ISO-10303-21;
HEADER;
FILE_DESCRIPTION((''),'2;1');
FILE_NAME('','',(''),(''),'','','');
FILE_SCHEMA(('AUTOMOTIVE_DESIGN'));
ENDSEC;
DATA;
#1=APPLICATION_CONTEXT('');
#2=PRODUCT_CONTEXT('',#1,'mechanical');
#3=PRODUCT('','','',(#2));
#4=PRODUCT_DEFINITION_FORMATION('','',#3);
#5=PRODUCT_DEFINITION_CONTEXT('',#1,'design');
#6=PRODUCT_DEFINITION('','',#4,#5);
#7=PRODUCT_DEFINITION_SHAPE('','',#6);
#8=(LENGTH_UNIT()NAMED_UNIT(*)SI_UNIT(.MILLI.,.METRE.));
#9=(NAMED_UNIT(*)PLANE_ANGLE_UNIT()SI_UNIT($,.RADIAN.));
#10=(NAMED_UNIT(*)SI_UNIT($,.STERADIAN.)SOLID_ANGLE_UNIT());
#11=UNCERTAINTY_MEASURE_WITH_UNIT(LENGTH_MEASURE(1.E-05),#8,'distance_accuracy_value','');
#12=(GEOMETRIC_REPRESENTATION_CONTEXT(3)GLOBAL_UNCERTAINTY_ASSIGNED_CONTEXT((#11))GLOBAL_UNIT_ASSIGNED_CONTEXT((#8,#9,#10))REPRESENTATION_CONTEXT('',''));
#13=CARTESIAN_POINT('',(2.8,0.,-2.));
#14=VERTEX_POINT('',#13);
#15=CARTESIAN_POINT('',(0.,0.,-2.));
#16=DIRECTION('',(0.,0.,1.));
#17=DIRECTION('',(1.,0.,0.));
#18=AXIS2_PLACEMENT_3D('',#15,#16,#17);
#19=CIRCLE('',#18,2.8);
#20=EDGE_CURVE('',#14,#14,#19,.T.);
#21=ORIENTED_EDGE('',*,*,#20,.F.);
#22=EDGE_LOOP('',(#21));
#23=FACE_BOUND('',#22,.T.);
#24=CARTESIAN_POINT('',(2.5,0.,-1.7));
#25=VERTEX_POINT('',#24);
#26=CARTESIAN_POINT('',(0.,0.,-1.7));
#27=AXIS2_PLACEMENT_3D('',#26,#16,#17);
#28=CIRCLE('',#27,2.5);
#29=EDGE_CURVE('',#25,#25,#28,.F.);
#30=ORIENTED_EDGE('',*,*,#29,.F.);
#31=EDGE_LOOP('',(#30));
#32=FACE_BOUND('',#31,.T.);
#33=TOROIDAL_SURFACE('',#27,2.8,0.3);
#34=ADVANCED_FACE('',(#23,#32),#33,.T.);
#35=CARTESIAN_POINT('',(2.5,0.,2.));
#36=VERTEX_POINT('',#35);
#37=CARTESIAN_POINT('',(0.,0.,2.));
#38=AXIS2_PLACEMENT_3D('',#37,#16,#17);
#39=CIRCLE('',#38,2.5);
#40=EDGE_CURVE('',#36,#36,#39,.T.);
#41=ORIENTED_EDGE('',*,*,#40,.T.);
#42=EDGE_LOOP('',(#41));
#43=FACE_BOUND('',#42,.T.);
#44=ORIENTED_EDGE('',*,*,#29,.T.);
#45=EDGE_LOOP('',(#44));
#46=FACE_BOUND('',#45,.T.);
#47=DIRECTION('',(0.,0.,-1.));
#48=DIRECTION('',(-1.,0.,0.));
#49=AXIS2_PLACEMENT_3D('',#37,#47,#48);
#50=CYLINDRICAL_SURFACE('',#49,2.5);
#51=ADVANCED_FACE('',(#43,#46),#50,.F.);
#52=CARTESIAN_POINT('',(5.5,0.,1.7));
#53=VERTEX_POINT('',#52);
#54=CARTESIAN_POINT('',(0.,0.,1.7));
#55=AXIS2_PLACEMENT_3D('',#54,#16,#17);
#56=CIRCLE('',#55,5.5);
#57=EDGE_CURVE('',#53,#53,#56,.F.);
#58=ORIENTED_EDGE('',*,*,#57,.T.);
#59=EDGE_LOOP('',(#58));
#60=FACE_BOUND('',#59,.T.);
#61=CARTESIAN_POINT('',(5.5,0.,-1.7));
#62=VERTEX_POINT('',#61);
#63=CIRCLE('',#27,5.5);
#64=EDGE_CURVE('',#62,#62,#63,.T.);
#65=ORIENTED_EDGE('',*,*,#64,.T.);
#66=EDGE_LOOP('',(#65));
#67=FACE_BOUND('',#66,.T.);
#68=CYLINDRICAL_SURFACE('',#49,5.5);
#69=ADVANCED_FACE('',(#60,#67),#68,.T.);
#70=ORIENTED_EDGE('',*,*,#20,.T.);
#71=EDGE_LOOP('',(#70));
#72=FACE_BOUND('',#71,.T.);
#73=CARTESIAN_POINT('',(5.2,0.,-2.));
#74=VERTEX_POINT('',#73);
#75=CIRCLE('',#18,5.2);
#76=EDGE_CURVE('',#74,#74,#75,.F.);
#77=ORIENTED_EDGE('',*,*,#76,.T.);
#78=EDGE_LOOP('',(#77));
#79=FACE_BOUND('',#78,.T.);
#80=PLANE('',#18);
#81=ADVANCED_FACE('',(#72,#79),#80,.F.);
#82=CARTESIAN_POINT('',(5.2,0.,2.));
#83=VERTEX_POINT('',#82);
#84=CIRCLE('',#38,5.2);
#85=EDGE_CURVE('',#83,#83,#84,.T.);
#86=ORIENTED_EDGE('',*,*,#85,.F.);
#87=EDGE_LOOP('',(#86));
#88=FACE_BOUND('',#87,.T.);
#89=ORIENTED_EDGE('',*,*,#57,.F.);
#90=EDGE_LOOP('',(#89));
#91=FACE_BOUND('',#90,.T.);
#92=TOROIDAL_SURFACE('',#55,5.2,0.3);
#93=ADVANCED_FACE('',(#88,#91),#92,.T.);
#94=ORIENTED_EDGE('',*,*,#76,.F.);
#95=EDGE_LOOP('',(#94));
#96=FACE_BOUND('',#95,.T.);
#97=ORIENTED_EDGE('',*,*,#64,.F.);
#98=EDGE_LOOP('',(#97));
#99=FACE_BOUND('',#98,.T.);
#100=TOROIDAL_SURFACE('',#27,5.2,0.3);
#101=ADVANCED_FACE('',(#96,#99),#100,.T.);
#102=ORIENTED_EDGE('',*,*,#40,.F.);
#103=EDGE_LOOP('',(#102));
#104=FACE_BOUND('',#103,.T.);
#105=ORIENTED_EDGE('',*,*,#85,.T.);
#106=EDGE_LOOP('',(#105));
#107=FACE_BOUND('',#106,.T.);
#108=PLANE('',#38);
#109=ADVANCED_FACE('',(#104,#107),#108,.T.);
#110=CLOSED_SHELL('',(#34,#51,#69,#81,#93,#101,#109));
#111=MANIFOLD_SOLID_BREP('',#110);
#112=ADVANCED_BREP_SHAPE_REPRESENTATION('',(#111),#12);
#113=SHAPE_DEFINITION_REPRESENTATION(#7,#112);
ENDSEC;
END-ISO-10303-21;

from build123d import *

# Parameters (mm, degrees)
SKETCH1_R           = 5.5
SKETCH1_R_2         = 2.5
BOSS_EXTRUDE1_DEPTH = 2
FILLET2_R           = 0.3


with BuildPart() as part:
    # Sketch1 → Boss-Extrude1 (new, symmetric)
    with BuildSketch(Plane.XY):
        Circle(SKETCH1_R)
        Circle(SKETCH1_R_2, mode=Mode.SUBTRACT)
    extrude(amount=BOSS_EXTRUDE1_DEPTH, both=True)

    # Fillet2
    fillet2_edges = [part.edges().sort_by_distance(p)[0] for p in [
        (-5.5, 0, -2),
        (-5.5, 0, 2),
        (-2.5, 0, -2),
    ]]
    fillet(fillet2_edges, radius=FILLET2_R)


solid = part.part
